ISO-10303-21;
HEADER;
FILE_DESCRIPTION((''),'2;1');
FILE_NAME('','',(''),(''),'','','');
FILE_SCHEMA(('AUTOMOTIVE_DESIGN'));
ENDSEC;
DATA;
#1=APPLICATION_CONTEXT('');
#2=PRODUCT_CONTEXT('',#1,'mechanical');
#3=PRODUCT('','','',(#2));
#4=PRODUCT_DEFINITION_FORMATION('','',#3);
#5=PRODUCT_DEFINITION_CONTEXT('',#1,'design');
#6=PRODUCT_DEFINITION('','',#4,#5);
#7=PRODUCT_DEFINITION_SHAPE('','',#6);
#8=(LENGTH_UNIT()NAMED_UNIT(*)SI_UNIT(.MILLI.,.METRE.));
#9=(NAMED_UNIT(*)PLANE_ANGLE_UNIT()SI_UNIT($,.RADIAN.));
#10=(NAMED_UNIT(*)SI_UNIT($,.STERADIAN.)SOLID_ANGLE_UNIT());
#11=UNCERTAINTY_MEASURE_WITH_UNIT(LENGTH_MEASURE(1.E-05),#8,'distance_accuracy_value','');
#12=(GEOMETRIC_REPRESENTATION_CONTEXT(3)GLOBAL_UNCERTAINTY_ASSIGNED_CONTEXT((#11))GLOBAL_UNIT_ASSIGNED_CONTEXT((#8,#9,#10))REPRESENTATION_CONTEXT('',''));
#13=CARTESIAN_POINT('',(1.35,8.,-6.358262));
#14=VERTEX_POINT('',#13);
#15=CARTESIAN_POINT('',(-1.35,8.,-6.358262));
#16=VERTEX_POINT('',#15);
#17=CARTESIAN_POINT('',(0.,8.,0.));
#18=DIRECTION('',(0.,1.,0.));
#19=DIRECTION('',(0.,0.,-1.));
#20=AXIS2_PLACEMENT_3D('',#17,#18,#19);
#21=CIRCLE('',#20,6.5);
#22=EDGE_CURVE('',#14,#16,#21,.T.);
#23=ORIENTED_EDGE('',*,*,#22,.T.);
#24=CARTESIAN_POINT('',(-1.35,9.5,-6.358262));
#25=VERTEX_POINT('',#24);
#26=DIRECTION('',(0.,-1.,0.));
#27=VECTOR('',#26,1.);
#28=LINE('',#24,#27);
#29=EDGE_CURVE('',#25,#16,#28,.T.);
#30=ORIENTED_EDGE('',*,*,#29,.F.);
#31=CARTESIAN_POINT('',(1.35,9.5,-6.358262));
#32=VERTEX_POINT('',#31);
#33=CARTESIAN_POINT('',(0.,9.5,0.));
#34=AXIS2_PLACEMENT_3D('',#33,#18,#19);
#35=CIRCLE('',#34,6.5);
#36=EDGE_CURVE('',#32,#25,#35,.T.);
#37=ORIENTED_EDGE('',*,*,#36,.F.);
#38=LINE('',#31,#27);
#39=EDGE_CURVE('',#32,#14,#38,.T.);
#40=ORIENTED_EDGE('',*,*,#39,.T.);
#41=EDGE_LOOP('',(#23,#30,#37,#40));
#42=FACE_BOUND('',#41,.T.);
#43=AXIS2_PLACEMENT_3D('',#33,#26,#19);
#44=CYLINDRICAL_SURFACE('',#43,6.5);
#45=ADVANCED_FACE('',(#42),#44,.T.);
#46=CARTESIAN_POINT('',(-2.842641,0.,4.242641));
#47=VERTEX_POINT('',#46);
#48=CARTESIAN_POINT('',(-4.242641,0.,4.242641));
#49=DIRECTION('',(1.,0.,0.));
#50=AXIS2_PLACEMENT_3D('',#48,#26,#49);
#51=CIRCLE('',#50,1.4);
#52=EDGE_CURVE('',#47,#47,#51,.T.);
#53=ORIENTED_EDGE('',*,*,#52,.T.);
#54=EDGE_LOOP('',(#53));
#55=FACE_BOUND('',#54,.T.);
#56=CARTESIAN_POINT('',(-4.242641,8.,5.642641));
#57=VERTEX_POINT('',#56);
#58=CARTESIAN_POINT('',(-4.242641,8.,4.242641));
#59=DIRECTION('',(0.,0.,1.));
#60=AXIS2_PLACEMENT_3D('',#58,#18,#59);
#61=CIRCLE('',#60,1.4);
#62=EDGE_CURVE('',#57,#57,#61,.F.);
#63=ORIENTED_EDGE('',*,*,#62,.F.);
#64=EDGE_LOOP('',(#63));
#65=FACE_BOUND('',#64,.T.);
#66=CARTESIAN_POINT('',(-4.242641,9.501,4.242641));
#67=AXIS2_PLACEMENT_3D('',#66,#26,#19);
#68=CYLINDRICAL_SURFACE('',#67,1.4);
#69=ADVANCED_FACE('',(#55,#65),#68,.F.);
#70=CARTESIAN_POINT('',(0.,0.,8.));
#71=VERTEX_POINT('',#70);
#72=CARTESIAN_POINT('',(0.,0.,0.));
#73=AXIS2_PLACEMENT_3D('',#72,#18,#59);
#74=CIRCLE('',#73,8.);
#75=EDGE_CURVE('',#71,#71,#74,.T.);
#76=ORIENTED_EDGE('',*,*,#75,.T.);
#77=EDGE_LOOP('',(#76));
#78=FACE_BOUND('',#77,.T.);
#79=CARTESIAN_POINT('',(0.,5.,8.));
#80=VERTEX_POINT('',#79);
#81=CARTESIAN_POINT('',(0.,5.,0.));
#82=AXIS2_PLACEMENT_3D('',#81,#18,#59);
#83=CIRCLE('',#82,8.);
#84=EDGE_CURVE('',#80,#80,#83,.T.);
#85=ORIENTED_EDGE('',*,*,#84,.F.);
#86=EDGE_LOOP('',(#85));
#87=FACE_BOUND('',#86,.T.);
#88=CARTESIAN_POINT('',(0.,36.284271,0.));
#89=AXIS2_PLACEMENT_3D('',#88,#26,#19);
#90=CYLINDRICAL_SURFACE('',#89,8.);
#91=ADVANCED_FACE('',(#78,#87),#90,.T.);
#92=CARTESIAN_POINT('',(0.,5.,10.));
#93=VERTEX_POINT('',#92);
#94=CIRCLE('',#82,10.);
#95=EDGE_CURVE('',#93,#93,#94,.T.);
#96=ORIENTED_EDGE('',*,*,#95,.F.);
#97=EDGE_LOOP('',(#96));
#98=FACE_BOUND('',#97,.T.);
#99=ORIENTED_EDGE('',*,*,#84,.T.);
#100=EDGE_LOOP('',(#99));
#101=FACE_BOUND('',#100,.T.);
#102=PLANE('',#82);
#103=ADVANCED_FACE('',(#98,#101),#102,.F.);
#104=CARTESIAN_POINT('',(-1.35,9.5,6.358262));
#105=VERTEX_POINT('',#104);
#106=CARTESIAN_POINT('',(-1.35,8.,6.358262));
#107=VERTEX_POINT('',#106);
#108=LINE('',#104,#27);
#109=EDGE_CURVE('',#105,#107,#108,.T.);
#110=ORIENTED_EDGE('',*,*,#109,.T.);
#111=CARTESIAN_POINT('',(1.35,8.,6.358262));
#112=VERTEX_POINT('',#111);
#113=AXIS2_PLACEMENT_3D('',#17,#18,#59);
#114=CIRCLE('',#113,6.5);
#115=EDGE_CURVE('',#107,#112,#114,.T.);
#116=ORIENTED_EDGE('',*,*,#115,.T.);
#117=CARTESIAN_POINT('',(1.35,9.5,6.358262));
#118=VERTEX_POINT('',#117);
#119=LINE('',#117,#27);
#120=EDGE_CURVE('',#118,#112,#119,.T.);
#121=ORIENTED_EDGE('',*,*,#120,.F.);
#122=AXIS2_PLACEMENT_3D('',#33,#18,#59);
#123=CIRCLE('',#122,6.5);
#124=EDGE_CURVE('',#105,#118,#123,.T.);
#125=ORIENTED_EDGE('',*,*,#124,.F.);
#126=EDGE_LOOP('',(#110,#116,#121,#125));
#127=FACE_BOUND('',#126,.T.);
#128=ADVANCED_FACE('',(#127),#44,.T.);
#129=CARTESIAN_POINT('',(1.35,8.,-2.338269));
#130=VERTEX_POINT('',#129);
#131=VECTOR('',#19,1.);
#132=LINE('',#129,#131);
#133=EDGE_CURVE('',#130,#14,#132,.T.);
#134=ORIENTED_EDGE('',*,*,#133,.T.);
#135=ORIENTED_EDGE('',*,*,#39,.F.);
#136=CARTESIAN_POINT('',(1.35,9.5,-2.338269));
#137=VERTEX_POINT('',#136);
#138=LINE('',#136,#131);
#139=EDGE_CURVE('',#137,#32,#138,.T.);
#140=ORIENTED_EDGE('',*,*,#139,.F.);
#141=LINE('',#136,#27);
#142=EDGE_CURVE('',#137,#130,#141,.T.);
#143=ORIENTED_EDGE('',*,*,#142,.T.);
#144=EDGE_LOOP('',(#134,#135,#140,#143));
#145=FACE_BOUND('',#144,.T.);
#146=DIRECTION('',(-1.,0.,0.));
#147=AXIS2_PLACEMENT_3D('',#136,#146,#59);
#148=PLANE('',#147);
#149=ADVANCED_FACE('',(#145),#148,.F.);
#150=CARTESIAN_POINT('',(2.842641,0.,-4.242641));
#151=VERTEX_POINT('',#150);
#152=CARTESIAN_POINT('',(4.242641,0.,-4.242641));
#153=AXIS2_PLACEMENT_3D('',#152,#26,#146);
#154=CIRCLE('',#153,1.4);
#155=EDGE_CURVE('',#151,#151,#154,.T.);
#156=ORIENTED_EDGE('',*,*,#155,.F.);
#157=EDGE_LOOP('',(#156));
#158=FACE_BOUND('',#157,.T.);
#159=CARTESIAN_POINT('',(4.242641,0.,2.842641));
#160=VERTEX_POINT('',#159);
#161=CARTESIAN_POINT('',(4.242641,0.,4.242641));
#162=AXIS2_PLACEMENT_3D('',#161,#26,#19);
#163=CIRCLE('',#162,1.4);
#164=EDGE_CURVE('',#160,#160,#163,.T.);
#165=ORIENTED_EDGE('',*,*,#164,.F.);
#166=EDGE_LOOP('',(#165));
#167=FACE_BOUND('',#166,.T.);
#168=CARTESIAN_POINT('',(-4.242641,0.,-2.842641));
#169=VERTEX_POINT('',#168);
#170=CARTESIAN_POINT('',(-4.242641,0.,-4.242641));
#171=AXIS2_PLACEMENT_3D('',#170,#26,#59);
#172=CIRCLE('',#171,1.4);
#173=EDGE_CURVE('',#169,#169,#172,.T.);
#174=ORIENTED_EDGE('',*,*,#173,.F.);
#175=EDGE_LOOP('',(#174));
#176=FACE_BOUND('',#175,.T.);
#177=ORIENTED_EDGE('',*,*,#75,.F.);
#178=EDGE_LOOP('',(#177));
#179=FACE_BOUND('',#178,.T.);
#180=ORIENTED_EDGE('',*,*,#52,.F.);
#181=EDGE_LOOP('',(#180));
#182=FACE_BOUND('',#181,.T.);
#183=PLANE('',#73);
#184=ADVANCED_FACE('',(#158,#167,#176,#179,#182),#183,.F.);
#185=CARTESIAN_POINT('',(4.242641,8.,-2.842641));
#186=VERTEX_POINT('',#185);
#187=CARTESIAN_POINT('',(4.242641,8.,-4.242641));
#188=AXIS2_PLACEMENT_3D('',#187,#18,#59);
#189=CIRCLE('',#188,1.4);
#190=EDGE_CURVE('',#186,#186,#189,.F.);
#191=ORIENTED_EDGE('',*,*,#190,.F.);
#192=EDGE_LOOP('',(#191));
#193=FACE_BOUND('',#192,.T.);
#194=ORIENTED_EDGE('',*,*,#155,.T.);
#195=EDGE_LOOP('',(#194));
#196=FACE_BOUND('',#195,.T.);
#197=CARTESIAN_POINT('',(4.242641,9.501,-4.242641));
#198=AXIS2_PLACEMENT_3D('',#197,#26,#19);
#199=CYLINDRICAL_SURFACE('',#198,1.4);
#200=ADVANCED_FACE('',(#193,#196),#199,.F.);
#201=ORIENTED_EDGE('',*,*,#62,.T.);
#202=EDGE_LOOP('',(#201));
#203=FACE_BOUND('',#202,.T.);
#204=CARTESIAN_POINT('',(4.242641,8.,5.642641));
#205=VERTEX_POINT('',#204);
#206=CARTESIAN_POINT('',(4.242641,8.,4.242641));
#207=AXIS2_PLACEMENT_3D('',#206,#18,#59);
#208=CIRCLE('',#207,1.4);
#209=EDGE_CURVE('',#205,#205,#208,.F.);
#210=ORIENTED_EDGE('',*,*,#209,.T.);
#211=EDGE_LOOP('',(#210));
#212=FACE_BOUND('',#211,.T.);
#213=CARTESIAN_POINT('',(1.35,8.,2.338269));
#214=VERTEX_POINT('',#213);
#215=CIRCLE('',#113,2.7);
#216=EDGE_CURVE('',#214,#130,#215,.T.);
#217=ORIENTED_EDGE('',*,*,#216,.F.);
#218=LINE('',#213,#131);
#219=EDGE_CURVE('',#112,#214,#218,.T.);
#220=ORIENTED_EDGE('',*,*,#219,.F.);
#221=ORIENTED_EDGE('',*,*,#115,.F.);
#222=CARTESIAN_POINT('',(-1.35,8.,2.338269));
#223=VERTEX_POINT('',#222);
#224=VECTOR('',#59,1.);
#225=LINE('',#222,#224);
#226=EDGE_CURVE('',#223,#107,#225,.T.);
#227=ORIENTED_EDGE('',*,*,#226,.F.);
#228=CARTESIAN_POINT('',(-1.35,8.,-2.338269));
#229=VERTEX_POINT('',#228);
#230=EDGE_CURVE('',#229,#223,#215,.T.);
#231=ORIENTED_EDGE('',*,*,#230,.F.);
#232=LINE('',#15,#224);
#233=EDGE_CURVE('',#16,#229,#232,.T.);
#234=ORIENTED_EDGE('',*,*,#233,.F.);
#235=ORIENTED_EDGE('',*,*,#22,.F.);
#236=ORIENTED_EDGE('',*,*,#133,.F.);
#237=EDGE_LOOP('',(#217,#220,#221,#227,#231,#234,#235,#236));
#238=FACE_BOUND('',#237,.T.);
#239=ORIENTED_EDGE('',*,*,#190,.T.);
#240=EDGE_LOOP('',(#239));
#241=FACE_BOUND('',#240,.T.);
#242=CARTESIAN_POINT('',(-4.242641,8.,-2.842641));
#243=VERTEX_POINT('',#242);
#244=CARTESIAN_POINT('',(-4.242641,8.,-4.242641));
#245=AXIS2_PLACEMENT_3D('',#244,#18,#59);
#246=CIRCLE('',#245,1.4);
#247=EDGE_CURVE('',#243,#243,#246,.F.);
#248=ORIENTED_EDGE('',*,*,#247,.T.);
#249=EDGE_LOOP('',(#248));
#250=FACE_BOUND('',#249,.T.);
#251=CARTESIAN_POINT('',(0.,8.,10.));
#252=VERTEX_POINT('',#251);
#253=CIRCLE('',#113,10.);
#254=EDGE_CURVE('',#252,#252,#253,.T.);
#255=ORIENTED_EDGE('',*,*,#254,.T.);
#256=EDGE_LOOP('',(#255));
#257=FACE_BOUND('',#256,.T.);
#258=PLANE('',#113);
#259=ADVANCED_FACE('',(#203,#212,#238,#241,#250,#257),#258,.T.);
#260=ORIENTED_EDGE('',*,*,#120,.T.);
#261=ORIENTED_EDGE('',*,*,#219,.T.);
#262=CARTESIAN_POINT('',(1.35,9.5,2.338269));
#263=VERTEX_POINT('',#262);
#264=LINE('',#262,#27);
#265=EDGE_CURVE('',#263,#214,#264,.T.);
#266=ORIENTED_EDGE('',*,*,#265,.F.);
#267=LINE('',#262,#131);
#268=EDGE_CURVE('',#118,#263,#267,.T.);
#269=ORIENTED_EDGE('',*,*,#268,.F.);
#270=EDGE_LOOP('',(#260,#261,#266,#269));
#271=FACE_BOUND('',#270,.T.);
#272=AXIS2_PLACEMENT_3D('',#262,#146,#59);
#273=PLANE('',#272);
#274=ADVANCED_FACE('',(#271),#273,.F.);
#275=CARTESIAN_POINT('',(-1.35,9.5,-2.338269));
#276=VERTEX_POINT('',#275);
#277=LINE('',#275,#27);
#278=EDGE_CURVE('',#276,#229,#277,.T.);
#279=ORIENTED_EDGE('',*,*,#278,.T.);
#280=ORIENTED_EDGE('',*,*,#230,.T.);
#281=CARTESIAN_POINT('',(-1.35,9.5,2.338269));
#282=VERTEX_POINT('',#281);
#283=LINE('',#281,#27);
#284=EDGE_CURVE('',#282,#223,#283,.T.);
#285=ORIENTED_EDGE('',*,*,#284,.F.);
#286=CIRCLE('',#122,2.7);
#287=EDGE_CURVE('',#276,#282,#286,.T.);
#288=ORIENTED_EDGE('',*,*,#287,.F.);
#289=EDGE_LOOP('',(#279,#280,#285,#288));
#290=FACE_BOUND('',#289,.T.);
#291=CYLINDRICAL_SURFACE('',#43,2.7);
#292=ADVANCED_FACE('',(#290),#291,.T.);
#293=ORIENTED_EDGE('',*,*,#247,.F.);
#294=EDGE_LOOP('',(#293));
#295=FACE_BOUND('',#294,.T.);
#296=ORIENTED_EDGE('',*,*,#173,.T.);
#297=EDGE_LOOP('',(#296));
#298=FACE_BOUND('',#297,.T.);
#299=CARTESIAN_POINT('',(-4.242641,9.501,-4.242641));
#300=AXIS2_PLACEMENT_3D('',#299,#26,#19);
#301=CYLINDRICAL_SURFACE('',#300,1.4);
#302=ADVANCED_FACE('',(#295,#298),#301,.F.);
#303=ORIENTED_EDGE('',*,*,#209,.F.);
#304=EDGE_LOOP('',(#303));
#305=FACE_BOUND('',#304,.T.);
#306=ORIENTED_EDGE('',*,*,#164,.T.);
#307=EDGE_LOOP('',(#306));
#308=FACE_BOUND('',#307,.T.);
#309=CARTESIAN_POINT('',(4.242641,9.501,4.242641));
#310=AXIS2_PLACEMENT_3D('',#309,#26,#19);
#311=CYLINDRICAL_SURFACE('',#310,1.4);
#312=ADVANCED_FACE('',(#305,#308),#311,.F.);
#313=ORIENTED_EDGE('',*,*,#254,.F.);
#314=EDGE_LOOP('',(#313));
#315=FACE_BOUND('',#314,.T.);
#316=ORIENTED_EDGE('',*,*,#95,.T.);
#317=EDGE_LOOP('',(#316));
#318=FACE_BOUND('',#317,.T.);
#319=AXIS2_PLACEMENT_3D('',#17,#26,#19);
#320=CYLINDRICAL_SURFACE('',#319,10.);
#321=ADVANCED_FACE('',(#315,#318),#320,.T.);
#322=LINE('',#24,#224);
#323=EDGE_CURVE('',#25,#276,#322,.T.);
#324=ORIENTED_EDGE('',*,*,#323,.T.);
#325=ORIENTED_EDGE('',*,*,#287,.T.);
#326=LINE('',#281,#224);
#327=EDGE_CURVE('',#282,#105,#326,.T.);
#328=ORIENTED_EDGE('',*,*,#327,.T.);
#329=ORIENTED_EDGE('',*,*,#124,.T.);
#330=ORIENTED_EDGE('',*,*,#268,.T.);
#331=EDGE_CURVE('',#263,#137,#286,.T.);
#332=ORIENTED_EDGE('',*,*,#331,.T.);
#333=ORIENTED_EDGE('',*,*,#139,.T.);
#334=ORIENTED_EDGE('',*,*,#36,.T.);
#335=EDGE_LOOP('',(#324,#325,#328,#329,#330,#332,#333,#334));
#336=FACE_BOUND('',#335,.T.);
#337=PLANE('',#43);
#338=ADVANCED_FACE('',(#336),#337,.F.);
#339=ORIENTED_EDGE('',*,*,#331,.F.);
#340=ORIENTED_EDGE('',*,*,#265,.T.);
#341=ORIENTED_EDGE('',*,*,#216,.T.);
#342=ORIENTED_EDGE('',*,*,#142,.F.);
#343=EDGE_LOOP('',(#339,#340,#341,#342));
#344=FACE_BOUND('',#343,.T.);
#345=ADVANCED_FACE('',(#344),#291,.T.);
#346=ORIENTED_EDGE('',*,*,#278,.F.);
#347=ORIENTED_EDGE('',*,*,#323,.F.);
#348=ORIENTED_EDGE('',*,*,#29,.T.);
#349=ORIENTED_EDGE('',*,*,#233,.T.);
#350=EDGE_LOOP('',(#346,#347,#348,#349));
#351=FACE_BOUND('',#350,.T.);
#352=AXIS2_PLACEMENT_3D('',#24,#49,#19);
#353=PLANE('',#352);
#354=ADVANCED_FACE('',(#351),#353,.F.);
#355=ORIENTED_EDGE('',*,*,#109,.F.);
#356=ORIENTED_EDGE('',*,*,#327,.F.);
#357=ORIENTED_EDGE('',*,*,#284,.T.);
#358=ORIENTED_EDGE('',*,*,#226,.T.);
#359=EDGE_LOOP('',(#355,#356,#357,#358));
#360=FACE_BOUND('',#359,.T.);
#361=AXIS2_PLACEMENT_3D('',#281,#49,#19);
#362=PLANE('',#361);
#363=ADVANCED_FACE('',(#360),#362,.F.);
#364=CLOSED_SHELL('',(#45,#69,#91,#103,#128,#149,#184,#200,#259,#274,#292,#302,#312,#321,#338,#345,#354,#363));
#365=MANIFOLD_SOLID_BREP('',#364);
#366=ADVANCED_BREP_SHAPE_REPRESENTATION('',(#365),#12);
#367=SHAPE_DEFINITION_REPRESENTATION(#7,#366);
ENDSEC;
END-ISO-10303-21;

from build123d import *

# Parameters (mm, degrees)
SKETCH1_R           = 10
BOSS_EXTRUDE1_DEPTH = 8
BOSS_EXTRUDE2_DEPTH = 1.5
SKETCH5_R           = 10
SKETCH5_R_2         = 8
CUT_EXTRUDE1_DEPTH  = 5
SKETCH6_R           = 1.4
CUT_EXTRUDE2_DEPTH  = 8
CIRPATTERN1_COUNT   = 4


with BuildPart() as part:
    # Sketch1 → Boss-Extrude1 (new body)
    with BuildSketch(Plane(origin=(0, 0, 0), x_dir=(1, 0, 0), z_dir=(0, 1, 0))):
        Circle(SKETCH1_R)
    extrude(amount=BOSS_EXTRUDE1_DEPTH)

    # Sketch4 → Boss-Extrude2 (add)
    with BuildSketch(Plane(origin=(0, 8, 0), x_dir=(1, 0, 0), z_dir=(0, 1, 0))):
        with BuildLine():
            Line((-1.35, 6.358262341), (-1.35, 2.33826859))
            ThreePointArc((-1.35, 2.33826859), (-2.7, 0), (-1.35, -2.33826859))
            Line((-1.35, -2.33826859), (-1.35, -6.358262341))
            ThreePointArc((-1.35, -6.358262341), (0, -6.5), (1.35, -6.358262341))
            Line((1.35, -6.358262341), (1.35, -2.33826859))
            ThreePointArc((1.35, -2.33826859), (2.7, 0), (1.35, 2.33826859))
            Line((1.35, 2.33826859), (1.35, 6.358262341))
            ThreePointArc((1.35, 6.358262341), (0, 6.5), (-1.35, 6.358262341))
        make_face()
    extrude(amount=BOSS_EXTRUDE2_DEPTH)

    # Sketch5 → Cut-Extrude1 (cut)
    with BuildSketch(Plane(origin=(0, 0, 0), x_dir=(1, 0, 0), z_dir=(0, 1, 0))):
        Circle(SKETCH5_R)
        Circle(SKETCH5_R_2, mode=Mode.SUBTRACT)
    extrude(amount=CUT_EXTRUDE1_DEPTH, mode=Mode.SUBTRACT)

    # Sketch6 → Cut-Extrude2 (cut)
    with BuildSketch(Plane.XZ):
        with Locations((4.242640687, 4.242640687)):
            Circle(SKETCH6_R)
    cut_extrude2 = extrude(amount=-CUT_EXTRUDE2_DEPTH, mode=Mode.SUBTRACT)

    # CirPattern1: Cut-Extrude2 ×4 about axis
    cirpattern1_axis = Axis((0, 0, 0), (0, 1, 0))
    for i in range(1, CIRPATTERN1_COUNT):
        add(cut_extrude2.rotate(cirpattern1_axis, i * 360 / CIRPATTERN1_COUNT), mode=Mode.SUBTRACT)


solid = part.part
